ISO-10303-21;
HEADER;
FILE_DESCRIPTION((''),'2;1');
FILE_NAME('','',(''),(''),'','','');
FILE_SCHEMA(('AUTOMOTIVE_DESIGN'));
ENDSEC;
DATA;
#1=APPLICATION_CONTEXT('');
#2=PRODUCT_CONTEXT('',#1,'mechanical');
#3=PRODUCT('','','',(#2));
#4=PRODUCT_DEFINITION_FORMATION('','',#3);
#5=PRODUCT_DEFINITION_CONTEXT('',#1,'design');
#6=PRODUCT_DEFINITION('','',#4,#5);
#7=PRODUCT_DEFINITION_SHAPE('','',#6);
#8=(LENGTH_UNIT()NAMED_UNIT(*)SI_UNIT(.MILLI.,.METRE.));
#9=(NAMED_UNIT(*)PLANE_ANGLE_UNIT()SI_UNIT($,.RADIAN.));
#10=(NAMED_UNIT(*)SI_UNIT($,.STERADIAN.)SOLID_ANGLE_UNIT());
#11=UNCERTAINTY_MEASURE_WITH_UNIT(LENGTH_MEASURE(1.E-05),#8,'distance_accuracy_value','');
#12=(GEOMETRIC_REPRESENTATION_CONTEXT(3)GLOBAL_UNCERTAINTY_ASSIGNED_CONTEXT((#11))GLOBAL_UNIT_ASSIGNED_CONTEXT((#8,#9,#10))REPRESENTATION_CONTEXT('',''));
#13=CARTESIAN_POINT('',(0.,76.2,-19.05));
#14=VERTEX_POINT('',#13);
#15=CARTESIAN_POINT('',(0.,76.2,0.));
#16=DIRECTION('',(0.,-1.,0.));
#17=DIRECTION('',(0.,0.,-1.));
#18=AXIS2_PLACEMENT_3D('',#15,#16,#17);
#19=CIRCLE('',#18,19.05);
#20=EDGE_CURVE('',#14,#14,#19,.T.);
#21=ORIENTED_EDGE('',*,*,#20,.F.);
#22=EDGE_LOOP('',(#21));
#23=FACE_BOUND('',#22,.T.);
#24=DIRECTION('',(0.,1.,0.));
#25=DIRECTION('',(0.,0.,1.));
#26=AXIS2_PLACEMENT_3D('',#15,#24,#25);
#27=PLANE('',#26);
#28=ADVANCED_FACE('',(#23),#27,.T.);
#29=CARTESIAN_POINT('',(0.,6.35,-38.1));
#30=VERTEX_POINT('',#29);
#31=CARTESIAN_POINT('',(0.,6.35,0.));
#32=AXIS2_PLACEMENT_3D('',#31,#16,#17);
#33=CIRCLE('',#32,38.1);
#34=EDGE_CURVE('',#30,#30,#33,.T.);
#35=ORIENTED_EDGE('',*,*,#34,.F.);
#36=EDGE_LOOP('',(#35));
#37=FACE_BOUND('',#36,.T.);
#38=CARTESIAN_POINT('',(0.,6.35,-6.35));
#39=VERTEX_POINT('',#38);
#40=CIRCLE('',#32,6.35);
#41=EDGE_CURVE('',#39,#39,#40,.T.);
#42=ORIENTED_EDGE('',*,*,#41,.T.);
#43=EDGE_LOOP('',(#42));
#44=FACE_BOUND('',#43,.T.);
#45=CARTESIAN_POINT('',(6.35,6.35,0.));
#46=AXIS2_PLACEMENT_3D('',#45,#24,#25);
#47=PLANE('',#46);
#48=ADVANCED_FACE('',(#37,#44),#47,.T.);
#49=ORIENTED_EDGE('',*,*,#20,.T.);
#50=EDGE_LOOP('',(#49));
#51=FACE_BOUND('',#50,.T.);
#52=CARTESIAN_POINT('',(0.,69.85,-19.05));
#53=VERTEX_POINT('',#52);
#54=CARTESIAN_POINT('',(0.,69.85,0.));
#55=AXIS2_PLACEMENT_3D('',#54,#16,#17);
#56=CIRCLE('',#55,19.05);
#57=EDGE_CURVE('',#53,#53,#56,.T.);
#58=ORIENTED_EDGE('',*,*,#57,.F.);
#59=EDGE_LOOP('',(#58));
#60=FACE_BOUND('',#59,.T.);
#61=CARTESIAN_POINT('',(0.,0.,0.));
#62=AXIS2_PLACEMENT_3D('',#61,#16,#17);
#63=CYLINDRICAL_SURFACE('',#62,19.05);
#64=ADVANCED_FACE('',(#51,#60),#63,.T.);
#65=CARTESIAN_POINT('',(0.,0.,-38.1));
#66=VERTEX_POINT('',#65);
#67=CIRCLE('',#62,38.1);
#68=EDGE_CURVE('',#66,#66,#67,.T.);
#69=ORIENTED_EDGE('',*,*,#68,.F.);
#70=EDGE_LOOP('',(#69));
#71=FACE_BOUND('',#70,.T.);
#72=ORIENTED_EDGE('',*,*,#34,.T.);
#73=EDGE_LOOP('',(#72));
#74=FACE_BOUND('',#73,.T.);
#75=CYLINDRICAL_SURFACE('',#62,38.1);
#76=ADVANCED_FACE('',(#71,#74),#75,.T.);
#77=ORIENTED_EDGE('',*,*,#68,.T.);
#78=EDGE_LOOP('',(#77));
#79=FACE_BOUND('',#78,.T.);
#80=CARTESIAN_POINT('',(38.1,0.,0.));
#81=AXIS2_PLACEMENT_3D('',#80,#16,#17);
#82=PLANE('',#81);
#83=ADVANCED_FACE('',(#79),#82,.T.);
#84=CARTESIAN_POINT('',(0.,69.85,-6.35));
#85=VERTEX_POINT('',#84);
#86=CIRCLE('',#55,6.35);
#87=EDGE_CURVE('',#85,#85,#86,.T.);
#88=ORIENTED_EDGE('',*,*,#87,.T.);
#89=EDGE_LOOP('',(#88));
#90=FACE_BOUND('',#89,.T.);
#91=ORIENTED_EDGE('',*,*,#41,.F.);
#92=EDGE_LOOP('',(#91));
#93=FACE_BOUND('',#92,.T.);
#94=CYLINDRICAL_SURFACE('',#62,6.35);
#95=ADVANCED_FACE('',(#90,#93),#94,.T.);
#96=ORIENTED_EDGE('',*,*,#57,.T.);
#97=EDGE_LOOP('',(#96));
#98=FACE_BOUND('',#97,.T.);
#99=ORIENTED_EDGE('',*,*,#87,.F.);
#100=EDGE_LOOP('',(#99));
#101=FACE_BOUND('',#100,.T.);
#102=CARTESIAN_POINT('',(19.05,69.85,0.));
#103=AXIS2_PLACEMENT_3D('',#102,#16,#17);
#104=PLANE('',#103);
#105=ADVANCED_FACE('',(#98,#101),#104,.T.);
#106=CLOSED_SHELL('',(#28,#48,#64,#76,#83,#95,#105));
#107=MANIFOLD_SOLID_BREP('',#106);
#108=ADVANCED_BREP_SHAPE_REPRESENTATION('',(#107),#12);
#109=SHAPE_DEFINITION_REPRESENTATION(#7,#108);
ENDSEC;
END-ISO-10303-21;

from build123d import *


with BuildPart() as part:
    # Sketch2 → Revolve1 (revolve)
    with BuildSketch(Plane.XY, mode=Mode.PRIVATE) as revolve1_sk:
        Polygon((0, 0), (0, 76.2), (19.05, 76.2), (19.05, 69.85), (6.35, 69.85), (6.35, 6.35), (38.1, 6.35), (38.1, 0), align=None)
    revolve(revolve1_sk.sketch.rotate(Axis((0, 0, 0), (0, 1, 0)), 90), axis=Axis((0, 0, 0), (0, 1, 0)))


solid = part.part
